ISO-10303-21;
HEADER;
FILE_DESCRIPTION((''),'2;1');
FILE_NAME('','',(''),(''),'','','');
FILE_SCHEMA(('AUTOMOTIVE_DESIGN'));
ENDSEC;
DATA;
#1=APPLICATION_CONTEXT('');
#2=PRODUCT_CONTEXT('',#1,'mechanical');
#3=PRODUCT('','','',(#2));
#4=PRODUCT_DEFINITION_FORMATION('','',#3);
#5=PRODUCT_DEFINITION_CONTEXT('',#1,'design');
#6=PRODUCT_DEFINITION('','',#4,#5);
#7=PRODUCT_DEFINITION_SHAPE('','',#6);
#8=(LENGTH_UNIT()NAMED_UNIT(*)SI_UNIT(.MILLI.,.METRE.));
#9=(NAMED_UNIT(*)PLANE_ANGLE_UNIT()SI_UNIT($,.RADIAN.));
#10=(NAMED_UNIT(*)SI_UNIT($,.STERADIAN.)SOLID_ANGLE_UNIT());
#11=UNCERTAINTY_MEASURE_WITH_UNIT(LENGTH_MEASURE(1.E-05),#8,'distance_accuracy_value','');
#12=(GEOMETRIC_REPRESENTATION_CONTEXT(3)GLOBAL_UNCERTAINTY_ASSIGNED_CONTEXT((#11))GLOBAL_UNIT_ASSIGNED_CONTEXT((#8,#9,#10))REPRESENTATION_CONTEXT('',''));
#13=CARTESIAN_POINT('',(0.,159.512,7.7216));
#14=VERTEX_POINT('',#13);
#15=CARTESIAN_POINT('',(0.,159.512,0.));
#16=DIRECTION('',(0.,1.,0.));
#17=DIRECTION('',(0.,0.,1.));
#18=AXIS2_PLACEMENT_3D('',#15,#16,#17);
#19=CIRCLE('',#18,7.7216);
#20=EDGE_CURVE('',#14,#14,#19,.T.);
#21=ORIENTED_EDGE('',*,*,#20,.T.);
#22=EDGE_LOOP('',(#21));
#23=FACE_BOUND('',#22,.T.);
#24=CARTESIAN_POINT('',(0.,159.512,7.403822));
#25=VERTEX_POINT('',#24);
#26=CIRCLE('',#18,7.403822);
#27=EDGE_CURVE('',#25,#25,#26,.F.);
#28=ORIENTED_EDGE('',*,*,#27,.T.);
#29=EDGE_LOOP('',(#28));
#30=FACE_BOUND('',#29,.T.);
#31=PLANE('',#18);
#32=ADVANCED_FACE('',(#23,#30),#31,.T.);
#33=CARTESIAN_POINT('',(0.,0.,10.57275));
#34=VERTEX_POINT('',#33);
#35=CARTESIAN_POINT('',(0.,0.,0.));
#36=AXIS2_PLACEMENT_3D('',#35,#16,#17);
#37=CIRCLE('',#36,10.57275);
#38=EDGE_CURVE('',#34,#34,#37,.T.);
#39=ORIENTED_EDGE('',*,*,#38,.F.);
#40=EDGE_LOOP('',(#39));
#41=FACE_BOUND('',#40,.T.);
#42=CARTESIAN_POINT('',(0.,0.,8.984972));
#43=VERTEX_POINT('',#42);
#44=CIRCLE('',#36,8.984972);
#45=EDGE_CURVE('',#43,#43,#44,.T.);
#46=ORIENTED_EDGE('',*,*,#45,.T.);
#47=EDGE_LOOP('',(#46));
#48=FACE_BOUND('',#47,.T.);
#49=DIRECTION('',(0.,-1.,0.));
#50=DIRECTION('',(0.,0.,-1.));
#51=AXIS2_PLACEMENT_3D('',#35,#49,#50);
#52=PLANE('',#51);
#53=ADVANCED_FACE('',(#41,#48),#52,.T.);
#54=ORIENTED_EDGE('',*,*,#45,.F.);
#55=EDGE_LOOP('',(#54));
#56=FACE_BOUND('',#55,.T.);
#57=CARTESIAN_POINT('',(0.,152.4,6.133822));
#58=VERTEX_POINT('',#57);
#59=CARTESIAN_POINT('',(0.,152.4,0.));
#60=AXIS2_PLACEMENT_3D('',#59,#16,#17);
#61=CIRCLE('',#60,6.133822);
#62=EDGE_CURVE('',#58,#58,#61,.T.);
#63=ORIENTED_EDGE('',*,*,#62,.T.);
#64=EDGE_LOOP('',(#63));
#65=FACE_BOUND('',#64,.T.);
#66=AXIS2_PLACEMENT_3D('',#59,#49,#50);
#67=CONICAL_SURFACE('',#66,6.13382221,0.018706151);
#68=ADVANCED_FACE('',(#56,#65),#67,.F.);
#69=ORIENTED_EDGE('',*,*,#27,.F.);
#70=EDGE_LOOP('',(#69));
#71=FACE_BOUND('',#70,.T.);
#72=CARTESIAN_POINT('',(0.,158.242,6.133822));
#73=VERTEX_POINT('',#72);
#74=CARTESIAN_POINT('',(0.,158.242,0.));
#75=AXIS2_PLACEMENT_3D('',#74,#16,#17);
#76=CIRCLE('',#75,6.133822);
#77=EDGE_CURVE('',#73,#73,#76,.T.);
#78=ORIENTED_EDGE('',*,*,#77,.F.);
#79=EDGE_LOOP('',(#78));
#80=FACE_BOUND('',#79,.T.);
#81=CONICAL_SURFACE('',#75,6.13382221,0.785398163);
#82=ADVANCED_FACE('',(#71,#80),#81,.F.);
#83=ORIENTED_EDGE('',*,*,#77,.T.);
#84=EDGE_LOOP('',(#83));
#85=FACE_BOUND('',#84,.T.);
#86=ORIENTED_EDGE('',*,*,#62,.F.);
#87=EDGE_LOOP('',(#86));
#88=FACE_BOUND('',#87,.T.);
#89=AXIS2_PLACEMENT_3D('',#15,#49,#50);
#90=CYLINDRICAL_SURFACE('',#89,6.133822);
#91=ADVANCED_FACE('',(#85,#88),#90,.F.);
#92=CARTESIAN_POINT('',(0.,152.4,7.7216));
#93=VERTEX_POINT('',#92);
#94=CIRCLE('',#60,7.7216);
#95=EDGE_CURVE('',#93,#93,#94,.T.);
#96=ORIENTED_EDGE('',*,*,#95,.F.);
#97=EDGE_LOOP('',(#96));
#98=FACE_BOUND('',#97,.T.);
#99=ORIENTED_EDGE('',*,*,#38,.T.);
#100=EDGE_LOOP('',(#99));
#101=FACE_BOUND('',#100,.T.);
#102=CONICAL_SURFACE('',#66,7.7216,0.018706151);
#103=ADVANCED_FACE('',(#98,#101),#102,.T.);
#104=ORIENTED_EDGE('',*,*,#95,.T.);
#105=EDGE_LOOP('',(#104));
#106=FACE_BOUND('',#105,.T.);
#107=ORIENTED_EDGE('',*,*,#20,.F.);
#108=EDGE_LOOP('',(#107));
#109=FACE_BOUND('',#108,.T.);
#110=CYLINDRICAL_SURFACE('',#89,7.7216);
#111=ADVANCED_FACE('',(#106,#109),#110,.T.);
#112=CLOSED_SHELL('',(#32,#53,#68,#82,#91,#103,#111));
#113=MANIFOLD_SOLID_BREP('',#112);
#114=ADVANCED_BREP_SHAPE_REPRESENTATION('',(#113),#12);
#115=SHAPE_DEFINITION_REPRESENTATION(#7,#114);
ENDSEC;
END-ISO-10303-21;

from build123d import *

# Parameters (mm, degrees)
SKETCH3_R           = 7.7216
SKETCH3_R_2         = 6.13382221
BOSS_EXTRUDE1_DEPTH = 7.112
CHAMFER1_SIZE       = 1.27


with BuildPart() as part:
    # Sketch1 → Revolve1 (revolve)
    with BuildSketch(Plane(origin=(0, 0, 0), x_dir=(0, 0, -1), z_dir=(1, 0, 0))):
        Polygon((0, 152.4), (0, 0), (-10.57275, 0), (-7.7216, 152.4), align=None)
    revolve(axis=Axis((0, 152.4, 0), (0, -1, 0)))

    # Sketch2 → Cut-Revolve4 (revolve, cut)
    with BuildSketch(Plane(origin=(0, 0, 0), x_dir=(0, 0, -1), z_dir=(1, 0, 0))):
        Polygon((0, 152.4), (0, 0), (-8.98497221, 0), (-6.13382221, 152.4), align=None)
    revolve(axis=Axis((0, 287.681750321, 0), (0, -1, 0)), mode=Mode.SUBTRACT)

    # Sketch3 → Boss-Extrude1 (add)
    with BuildSketch(Plane(origin=(0, 152.4, 0), x_dir=(1, 0, 0), z_dir=(0, 1, 0))):
        with Locations(Location((0, 0, 0), (0, 0, 270))):
            Circle(SKETCH3_R)
        with Locations(Location((0, 0, 0), (0, 0, 270))):
            Circle(SKETCH3_R_2, mode=Mode.SUBTRACT)
    extrude(amount=BOSS_EXTRUDE1_DEPTH)

    # Chamfer1
    chamfer1_edges = [part.edges().sort_by_distance(p)[0] for p in [
        (0, 159.512, -6.13382221),
    ]]
    chamfer(chamfer1_edges, length=CHAMFER1_SIZE)


solid = part.part
